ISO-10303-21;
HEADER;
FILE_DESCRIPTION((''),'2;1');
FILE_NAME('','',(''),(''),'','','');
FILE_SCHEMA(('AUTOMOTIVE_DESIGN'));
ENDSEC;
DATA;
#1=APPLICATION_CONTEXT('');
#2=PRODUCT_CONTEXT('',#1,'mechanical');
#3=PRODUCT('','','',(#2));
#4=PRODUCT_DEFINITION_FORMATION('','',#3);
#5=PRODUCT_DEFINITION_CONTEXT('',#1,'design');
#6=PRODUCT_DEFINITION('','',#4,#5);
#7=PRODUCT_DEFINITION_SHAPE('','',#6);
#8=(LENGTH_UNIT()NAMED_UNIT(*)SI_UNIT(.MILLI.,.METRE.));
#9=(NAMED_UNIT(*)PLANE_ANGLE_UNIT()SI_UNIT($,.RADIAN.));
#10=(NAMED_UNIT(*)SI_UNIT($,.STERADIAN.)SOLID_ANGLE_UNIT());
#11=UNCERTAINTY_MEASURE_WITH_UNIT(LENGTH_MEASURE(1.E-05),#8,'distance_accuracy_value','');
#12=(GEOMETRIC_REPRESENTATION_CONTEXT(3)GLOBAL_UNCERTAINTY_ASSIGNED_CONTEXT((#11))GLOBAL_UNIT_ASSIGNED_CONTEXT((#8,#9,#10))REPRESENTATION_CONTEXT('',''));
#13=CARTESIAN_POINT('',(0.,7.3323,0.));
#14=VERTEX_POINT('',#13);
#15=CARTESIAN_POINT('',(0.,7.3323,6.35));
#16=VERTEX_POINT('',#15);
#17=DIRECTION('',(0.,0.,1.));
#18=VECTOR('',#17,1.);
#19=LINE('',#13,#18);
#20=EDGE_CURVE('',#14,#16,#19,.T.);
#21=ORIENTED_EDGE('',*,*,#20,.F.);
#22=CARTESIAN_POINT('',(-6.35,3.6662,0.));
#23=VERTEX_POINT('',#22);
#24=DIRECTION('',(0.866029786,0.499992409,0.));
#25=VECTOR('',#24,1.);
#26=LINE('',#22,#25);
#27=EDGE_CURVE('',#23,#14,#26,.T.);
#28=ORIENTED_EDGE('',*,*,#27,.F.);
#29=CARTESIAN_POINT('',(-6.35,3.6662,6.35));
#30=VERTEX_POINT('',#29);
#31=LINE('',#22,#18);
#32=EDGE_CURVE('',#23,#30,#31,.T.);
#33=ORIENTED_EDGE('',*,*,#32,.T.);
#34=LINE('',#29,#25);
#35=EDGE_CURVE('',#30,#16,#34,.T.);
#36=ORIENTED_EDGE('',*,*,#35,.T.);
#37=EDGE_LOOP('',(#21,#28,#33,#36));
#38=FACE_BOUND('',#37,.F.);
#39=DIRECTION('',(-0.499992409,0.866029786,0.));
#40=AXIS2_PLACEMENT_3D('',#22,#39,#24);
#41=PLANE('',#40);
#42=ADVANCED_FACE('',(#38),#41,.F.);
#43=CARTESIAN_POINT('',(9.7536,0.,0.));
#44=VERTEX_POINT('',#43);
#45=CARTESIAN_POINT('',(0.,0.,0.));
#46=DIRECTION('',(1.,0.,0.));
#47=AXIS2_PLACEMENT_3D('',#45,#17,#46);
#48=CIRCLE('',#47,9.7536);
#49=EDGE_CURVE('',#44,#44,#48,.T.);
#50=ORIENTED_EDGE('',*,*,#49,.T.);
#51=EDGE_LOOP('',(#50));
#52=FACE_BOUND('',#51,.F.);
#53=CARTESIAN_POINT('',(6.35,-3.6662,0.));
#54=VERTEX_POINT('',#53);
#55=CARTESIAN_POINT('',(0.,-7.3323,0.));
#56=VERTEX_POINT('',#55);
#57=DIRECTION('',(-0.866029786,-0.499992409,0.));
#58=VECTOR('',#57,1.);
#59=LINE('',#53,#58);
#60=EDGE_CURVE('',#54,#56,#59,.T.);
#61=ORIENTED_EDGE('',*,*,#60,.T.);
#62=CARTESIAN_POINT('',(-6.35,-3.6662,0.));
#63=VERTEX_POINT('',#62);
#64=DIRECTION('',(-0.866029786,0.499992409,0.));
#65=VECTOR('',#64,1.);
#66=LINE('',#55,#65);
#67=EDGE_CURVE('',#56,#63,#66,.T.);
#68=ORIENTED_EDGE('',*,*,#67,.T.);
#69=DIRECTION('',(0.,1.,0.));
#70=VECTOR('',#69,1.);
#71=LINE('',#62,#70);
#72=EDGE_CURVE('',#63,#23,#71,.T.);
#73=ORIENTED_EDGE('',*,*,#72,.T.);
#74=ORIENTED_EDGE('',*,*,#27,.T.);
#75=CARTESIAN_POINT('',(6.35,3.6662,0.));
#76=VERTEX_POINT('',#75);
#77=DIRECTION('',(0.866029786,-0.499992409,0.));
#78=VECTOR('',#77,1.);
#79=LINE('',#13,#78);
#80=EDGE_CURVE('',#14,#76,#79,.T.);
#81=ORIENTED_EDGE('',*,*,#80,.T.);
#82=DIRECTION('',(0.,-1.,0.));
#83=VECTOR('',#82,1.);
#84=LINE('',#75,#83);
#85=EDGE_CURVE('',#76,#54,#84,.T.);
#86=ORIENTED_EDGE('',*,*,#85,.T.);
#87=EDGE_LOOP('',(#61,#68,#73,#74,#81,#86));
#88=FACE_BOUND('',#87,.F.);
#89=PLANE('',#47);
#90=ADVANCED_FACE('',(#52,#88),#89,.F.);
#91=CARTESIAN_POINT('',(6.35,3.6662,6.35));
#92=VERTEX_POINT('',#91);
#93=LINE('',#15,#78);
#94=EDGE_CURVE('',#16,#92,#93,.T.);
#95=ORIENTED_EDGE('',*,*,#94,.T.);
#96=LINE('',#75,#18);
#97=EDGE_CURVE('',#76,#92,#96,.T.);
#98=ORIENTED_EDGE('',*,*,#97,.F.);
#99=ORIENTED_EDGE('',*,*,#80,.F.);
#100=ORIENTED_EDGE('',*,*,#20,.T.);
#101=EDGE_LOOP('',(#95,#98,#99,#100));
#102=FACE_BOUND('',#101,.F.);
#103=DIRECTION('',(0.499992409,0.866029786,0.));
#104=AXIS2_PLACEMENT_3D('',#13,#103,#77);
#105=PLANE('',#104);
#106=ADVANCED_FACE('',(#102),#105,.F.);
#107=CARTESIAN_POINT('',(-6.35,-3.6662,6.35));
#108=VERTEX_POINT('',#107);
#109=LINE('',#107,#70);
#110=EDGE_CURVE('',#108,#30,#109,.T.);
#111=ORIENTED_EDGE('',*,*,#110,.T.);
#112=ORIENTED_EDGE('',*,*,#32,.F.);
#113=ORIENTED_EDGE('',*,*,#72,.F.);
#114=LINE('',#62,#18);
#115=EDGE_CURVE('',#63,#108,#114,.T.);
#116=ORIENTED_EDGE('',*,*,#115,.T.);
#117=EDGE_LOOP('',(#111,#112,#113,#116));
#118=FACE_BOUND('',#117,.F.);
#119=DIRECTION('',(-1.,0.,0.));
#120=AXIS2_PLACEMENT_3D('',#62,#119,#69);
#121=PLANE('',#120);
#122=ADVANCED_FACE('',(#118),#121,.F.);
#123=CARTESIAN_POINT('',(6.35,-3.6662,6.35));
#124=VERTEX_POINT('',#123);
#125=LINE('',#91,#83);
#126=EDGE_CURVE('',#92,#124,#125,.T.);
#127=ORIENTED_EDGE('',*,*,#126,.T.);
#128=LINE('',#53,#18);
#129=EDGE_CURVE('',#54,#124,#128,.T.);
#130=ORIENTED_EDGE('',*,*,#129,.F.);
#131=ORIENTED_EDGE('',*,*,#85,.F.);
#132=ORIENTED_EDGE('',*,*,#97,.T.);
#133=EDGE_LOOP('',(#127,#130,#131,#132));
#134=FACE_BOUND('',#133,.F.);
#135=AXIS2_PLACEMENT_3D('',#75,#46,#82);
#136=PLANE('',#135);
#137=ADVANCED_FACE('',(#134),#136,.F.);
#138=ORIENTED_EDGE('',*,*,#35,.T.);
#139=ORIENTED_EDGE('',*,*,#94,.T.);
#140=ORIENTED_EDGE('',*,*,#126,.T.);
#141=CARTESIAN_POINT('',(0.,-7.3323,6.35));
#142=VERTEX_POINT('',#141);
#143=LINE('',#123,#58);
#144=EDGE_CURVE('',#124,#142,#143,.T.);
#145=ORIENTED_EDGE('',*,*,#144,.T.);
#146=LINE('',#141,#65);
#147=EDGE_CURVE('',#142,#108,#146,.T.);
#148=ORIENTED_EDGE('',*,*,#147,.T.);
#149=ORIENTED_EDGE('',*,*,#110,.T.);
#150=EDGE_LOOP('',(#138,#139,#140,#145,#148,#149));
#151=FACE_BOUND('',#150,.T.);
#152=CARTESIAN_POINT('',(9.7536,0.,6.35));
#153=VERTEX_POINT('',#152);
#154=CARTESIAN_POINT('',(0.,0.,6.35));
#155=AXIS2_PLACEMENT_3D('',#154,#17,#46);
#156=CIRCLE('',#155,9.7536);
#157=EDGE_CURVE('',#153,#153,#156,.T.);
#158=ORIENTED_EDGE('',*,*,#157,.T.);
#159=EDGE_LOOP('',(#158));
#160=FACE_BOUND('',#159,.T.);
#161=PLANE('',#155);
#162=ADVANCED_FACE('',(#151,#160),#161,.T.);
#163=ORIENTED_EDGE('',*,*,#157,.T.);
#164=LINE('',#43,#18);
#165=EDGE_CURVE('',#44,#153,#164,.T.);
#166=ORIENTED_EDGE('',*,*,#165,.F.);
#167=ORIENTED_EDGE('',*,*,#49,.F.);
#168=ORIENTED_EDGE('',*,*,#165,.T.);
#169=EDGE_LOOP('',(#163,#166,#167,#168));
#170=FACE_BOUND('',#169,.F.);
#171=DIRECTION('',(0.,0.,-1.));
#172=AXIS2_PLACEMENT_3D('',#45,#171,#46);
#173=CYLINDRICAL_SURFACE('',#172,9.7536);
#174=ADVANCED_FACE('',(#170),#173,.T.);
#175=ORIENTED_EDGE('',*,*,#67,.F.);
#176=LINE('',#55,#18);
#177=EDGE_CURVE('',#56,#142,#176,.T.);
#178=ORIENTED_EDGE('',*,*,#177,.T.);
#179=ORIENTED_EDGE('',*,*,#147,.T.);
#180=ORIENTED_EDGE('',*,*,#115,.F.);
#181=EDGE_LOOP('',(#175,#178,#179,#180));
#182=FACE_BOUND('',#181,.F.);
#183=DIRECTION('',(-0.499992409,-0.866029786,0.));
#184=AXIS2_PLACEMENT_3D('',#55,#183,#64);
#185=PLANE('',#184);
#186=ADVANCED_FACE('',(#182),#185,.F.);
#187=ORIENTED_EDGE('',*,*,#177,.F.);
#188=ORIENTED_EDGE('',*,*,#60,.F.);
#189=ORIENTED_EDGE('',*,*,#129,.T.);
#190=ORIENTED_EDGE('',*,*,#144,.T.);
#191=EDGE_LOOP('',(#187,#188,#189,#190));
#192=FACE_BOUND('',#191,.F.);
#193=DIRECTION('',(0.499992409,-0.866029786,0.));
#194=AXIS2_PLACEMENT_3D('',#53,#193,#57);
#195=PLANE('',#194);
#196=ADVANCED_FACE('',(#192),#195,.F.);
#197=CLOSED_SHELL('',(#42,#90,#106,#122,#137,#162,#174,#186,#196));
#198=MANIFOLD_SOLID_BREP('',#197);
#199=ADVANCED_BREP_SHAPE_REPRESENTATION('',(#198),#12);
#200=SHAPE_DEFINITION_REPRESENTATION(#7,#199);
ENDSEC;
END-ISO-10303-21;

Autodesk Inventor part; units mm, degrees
ref_plane "YZ Plane" through (0, 0, 0) normal (1, 0, 0) x (0, 1, 0)
ref_plane "XZ Plane" through (0, 0, 0) normal (0, 1, 0) x (-1, 0, 0)
ref_plane "XY Plane" through (0, 0, 0) normal (0, 0, 1) x (1, 0, 0)
sketch "Sketch1" plane through (0, 0, 0) normal (0, 0, 1) x (1, 0, 0)
  circle A0 centre (0, 0) radius 9.7536
  line L0 (0, 7.3323) -> (6.35, 3.6662)
  line L1 (6.35, 3.6662) -> (6.35, -3.6662)
  line L2 (6.35, -3.6662) -> (0, -7.3323)
  line L3 (0, -7.3323) -> (-6.35, -3.6662)
  line L4 (-6.35, -3.6662) -> (-6.35, 3.6662)
  line L5 (-6.35, 3.6662) -> (0, 7.3323)
  dimension "d0" = 12.7
  dimension "d1" = 19.5072
extrude "Extrusion1" add sketch "Sketch1" along normal blind 6.35
properties part number "Spacer_0.5hex_0.25" material "Acetal Resin, Black"
